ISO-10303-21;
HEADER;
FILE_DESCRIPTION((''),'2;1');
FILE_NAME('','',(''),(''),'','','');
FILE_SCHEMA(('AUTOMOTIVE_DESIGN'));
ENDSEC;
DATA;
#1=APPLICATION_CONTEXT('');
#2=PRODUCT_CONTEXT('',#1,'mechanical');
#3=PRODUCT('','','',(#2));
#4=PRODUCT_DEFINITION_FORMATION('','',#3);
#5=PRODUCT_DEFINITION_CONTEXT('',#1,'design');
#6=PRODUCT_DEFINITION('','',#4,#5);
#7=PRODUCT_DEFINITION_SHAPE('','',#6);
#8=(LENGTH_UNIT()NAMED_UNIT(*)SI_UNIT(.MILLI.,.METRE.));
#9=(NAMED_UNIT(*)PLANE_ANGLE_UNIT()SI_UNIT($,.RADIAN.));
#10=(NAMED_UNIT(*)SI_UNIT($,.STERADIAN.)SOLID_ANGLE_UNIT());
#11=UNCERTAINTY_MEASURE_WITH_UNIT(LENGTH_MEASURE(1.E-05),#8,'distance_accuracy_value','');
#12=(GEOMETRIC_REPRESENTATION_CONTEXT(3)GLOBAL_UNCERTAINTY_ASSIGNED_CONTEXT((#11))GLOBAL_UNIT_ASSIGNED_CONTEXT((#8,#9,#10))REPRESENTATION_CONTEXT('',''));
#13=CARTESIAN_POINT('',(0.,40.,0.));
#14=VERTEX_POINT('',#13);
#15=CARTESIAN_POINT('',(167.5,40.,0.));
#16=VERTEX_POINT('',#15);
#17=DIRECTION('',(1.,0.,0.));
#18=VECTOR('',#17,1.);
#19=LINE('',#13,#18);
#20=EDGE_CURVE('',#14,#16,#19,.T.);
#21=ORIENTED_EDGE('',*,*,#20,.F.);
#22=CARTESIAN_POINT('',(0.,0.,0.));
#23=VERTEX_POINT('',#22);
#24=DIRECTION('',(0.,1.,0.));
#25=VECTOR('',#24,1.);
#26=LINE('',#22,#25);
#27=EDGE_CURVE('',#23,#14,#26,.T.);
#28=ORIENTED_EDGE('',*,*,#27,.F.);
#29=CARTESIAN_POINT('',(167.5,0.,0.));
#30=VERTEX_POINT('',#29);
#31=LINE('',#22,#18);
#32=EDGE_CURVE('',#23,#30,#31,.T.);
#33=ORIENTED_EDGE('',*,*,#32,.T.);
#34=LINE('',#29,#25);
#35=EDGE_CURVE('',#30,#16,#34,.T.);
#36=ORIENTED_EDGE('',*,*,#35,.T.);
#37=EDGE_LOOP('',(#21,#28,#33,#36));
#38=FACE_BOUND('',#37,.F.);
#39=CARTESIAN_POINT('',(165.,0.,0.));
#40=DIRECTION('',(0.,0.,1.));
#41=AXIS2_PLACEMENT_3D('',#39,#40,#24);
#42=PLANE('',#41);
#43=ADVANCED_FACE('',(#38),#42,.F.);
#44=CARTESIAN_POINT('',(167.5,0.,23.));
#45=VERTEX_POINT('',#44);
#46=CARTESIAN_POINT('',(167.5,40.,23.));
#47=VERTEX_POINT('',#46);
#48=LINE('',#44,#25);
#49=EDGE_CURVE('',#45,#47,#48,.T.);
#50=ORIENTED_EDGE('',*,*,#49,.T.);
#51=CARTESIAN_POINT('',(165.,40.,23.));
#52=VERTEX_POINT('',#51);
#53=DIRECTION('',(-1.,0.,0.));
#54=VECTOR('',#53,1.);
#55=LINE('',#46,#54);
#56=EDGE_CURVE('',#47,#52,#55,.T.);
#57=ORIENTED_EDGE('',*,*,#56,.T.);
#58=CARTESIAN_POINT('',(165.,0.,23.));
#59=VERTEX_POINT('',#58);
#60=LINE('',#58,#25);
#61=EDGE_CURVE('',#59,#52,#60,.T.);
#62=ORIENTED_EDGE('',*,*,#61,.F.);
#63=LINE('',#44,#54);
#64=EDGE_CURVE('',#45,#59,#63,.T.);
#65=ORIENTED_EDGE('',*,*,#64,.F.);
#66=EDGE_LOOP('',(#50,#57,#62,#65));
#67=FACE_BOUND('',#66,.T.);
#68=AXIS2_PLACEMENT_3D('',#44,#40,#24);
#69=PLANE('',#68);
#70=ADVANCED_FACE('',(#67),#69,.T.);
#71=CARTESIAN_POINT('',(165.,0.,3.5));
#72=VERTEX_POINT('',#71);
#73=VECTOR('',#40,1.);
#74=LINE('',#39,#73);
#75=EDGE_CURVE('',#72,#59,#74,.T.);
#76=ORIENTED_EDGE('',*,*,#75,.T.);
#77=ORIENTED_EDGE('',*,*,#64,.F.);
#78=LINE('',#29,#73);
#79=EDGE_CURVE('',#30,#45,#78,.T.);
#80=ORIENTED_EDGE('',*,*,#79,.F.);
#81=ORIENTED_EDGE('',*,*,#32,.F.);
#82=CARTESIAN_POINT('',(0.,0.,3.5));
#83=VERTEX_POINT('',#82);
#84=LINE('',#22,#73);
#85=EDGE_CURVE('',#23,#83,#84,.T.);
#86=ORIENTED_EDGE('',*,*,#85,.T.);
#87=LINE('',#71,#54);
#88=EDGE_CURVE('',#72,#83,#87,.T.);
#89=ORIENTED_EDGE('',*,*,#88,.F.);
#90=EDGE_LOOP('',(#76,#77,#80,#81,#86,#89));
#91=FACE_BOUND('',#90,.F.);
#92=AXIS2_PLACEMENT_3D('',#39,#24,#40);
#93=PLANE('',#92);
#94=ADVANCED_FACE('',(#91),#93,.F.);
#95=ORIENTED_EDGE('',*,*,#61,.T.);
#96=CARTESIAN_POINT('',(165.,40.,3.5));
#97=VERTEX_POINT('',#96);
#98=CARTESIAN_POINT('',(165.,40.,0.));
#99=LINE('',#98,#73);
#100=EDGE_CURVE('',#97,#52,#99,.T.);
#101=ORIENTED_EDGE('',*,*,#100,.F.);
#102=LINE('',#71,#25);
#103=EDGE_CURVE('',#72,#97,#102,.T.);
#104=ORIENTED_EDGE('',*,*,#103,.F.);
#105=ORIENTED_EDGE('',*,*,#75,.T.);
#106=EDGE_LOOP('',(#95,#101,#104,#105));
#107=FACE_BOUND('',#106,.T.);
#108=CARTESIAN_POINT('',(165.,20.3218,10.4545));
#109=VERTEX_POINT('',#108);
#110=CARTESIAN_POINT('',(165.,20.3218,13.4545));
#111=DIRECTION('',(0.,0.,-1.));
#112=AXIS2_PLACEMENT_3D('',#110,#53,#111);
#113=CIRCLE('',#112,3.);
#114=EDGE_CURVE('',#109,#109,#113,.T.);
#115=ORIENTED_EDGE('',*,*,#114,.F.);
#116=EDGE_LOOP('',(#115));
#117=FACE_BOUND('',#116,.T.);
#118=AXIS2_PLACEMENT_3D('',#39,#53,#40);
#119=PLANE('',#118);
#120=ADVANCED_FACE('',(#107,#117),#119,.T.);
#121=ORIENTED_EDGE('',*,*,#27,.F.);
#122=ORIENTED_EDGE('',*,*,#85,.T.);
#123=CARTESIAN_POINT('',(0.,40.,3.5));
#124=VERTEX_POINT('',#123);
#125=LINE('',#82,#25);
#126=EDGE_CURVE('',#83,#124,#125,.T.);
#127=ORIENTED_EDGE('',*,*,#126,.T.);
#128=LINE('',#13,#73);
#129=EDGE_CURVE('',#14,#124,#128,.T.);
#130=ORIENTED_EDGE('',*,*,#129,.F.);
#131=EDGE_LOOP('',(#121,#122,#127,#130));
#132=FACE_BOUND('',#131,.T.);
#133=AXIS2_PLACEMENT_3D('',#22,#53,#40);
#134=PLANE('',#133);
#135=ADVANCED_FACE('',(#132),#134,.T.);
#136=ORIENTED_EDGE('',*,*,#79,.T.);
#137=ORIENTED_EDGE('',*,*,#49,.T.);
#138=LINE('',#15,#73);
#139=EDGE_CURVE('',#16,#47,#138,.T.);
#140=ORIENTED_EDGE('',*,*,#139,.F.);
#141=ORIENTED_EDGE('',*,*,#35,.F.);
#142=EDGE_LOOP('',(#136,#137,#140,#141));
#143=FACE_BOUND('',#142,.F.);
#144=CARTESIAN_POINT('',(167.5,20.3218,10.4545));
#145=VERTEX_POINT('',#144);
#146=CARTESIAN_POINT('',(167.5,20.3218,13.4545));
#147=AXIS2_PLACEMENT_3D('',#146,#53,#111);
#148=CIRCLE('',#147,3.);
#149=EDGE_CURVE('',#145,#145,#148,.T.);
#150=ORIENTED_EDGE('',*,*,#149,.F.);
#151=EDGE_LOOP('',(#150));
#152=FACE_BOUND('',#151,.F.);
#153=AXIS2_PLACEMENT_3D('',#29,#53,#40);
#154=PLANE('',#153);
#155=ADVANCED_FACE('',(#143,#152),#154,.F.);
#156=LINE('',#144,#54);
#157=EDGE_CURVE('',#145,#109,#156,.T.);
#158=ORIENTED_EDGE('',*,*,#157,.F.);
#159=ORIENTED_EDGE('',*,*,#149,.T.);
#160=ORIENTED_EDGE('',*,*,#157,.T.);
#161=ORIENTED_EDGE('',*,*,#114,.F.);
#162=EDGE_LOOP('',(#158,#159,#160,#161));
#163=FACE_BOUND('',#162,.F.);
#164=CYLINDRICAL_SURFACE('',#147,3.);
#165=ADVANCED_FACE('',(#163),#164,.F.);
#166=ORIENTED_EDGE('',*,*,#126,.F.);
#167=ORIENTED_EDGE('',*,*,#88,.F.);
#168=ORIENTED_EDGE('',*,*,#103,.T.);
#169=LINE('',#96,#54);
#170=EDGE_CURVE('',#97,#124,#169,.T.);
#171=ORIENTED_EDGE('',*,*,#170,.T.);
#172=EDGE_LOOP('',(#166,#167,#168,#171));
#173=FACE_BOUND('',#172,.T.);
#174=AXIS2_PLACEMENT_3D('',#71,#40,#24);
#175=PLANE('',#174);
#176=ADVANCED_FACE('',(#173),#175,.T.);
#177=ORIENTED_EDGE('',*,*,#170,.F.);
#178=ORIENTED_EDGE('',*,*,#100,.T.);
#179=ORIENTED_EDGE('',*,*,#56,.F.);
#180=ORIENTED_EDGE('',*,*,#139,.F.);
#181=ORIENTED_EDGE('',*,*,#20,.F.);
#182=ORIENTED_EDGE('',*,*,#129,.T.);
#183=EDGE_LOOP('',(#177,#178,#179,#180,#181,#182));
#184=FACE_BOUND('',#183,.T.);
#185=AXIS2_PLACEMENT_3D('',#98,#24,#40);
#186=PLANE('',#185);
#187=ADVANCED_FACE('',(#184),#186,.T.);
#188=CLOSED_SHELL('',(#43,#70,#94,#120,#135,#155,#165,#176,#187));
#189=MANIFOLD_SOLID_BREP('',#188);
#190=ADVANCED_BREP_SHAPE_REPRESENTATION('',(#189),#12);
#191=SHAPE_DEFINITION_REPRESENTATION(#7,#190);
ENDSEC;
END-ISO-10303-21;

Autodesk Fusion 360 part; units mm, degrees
box "BoxPrimitive1" add length 40 width 165 height 3.5 placed x (0, 1, 0) y (-1, 0, 0) z (0, 0, 1) at (165, 0, 0)
box "BoxPrimitive2" add length 40 width 2.5 height 23 placed x (0, 1, 0) y (-1, 0, 0) z (0, 0, 1) at (167.5, 0, 0)
hole "Hole1" at (167.5, 20.3218, 13.4545) direction (-1, 0, 0) diameter 6 depth 5 tip angle 180
